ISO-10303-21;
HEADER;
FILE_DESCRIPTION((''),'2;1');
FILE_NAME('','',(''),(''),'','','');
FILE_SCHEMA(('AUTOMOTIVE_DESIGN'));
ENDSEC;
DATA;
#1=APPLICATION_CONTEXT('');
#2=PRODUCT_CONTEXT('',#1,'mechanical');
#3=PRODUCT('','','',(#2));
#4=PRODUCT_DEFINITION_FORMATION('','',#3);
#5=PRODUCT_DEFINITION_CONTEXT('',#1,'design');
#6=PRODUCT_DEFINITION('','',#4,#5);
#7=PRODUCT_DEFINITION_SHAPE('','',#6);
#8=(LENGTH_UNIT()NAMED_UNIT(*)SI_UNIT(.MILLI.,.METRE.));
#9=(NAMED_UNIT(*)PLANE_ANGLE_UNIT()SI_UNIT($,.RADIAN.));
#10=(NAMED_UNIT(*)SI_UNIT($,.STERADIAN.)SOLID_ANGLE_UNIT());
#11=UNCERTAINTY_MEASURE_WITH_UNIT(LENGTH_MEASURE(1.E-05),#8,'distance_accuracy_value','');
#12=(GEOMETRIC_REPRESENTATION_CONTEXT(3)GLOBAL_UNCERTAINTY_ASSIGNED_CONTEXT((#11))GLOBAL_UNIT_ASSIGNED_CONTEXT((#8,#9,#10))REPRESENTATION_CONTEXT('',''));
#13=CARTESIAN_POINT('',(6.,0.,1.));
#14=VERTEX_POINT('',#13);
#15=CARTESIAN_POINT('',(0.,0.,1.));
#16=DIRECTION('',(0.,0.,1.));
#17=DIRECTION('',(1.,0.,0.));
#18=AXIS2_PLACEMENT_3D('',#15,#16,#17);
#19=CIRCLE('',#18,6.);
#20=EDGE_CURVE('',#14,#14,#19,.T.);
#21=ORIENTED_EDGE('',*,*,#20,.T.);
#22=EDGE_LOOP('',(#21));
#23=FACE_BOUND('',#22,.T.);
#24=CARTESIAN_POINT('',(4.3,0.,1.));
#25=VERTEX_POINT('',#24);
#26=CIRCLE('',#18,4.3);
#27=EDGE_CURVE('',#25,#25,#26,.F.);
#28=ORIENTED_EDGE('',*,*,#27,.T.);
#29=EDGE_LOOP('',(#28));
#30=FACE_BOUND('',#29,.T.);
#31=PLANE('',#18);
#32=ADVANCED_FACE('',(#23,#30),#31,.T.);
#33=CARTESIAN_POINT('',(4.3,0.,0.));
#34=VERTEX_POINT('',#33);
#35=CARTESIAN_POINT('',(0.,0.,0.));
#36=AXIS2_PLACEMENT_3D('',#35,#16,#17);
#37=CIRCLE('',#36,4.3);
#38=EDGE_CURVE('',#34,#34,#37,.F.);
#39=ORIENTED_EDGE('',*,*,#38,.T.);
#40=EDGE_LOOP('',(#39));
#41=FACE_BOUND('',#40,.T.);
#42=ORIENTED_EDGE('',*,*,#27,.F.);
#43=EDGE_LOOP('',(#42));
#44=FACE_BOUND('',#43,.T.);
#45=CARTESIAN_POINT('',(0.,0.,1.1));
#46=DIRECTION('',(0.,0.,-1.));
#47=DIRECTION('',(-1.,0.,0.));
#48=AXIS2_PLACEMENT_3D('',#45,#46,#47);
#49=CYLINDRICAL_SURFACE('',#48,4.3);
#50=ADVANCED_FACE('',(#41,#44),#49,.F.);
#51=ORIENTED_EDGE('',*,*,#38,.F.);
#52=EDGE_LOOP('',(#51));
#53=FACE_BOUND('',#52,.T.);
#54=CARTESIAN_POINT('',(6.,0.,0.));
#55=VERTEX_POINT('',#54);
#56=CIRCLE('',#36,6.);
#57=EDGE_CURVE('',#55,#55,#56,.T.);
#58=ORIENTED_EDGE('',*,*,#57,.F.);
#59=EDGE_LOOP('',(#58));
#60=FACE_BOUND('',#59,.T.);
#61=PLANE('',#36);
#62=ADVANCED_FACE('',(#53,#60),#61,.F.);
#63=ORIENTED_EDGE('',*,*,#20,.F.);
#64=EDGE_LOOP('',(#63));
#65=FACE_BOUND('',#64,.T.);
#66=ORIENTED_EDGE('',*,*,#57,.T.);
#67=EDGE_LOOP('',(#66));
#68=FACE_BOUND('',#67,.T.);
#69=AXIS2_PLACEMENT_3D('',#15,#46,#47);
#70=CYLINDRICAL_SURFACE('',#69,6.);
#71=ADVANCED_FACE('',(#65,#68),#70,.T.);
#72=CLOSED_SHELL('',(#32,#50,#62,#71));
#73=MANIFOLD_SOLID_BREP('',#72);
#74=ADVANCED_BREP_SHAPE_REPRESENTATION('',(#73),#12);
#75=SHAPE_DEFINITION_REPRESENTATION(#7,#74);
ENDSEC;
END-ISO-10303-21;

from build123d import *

# Parameters (mm, degrees)
SKETCH1_R          = 6
SLEEVE_OUTER_DEPTH = 1
SLEEVE_BORE_START  = -0.1
SKETCH2_R          = 4.3
SLEEVE_BORE_DEPTH  = 1.2


with BuildPart() as part:
    # Sketch1 → Sleeve_Outer (new body)
    with BuildSketch(Plane.XY):
        Circle(SKETCH1_R)
    extrude(amount=SLEEVE_OUTER_DEPTH)

    # Sketch2 → Sleeve_Bore (cut)
    with BuildSketch(Plane.XY.offset(SLEEVE_BORE_START)):
        Circle(SKETCH2_R)
    extrude(amount=SLEEVE_BORE_DEPTH, mode=Mode.SUBTRACT)


solid = part.part
